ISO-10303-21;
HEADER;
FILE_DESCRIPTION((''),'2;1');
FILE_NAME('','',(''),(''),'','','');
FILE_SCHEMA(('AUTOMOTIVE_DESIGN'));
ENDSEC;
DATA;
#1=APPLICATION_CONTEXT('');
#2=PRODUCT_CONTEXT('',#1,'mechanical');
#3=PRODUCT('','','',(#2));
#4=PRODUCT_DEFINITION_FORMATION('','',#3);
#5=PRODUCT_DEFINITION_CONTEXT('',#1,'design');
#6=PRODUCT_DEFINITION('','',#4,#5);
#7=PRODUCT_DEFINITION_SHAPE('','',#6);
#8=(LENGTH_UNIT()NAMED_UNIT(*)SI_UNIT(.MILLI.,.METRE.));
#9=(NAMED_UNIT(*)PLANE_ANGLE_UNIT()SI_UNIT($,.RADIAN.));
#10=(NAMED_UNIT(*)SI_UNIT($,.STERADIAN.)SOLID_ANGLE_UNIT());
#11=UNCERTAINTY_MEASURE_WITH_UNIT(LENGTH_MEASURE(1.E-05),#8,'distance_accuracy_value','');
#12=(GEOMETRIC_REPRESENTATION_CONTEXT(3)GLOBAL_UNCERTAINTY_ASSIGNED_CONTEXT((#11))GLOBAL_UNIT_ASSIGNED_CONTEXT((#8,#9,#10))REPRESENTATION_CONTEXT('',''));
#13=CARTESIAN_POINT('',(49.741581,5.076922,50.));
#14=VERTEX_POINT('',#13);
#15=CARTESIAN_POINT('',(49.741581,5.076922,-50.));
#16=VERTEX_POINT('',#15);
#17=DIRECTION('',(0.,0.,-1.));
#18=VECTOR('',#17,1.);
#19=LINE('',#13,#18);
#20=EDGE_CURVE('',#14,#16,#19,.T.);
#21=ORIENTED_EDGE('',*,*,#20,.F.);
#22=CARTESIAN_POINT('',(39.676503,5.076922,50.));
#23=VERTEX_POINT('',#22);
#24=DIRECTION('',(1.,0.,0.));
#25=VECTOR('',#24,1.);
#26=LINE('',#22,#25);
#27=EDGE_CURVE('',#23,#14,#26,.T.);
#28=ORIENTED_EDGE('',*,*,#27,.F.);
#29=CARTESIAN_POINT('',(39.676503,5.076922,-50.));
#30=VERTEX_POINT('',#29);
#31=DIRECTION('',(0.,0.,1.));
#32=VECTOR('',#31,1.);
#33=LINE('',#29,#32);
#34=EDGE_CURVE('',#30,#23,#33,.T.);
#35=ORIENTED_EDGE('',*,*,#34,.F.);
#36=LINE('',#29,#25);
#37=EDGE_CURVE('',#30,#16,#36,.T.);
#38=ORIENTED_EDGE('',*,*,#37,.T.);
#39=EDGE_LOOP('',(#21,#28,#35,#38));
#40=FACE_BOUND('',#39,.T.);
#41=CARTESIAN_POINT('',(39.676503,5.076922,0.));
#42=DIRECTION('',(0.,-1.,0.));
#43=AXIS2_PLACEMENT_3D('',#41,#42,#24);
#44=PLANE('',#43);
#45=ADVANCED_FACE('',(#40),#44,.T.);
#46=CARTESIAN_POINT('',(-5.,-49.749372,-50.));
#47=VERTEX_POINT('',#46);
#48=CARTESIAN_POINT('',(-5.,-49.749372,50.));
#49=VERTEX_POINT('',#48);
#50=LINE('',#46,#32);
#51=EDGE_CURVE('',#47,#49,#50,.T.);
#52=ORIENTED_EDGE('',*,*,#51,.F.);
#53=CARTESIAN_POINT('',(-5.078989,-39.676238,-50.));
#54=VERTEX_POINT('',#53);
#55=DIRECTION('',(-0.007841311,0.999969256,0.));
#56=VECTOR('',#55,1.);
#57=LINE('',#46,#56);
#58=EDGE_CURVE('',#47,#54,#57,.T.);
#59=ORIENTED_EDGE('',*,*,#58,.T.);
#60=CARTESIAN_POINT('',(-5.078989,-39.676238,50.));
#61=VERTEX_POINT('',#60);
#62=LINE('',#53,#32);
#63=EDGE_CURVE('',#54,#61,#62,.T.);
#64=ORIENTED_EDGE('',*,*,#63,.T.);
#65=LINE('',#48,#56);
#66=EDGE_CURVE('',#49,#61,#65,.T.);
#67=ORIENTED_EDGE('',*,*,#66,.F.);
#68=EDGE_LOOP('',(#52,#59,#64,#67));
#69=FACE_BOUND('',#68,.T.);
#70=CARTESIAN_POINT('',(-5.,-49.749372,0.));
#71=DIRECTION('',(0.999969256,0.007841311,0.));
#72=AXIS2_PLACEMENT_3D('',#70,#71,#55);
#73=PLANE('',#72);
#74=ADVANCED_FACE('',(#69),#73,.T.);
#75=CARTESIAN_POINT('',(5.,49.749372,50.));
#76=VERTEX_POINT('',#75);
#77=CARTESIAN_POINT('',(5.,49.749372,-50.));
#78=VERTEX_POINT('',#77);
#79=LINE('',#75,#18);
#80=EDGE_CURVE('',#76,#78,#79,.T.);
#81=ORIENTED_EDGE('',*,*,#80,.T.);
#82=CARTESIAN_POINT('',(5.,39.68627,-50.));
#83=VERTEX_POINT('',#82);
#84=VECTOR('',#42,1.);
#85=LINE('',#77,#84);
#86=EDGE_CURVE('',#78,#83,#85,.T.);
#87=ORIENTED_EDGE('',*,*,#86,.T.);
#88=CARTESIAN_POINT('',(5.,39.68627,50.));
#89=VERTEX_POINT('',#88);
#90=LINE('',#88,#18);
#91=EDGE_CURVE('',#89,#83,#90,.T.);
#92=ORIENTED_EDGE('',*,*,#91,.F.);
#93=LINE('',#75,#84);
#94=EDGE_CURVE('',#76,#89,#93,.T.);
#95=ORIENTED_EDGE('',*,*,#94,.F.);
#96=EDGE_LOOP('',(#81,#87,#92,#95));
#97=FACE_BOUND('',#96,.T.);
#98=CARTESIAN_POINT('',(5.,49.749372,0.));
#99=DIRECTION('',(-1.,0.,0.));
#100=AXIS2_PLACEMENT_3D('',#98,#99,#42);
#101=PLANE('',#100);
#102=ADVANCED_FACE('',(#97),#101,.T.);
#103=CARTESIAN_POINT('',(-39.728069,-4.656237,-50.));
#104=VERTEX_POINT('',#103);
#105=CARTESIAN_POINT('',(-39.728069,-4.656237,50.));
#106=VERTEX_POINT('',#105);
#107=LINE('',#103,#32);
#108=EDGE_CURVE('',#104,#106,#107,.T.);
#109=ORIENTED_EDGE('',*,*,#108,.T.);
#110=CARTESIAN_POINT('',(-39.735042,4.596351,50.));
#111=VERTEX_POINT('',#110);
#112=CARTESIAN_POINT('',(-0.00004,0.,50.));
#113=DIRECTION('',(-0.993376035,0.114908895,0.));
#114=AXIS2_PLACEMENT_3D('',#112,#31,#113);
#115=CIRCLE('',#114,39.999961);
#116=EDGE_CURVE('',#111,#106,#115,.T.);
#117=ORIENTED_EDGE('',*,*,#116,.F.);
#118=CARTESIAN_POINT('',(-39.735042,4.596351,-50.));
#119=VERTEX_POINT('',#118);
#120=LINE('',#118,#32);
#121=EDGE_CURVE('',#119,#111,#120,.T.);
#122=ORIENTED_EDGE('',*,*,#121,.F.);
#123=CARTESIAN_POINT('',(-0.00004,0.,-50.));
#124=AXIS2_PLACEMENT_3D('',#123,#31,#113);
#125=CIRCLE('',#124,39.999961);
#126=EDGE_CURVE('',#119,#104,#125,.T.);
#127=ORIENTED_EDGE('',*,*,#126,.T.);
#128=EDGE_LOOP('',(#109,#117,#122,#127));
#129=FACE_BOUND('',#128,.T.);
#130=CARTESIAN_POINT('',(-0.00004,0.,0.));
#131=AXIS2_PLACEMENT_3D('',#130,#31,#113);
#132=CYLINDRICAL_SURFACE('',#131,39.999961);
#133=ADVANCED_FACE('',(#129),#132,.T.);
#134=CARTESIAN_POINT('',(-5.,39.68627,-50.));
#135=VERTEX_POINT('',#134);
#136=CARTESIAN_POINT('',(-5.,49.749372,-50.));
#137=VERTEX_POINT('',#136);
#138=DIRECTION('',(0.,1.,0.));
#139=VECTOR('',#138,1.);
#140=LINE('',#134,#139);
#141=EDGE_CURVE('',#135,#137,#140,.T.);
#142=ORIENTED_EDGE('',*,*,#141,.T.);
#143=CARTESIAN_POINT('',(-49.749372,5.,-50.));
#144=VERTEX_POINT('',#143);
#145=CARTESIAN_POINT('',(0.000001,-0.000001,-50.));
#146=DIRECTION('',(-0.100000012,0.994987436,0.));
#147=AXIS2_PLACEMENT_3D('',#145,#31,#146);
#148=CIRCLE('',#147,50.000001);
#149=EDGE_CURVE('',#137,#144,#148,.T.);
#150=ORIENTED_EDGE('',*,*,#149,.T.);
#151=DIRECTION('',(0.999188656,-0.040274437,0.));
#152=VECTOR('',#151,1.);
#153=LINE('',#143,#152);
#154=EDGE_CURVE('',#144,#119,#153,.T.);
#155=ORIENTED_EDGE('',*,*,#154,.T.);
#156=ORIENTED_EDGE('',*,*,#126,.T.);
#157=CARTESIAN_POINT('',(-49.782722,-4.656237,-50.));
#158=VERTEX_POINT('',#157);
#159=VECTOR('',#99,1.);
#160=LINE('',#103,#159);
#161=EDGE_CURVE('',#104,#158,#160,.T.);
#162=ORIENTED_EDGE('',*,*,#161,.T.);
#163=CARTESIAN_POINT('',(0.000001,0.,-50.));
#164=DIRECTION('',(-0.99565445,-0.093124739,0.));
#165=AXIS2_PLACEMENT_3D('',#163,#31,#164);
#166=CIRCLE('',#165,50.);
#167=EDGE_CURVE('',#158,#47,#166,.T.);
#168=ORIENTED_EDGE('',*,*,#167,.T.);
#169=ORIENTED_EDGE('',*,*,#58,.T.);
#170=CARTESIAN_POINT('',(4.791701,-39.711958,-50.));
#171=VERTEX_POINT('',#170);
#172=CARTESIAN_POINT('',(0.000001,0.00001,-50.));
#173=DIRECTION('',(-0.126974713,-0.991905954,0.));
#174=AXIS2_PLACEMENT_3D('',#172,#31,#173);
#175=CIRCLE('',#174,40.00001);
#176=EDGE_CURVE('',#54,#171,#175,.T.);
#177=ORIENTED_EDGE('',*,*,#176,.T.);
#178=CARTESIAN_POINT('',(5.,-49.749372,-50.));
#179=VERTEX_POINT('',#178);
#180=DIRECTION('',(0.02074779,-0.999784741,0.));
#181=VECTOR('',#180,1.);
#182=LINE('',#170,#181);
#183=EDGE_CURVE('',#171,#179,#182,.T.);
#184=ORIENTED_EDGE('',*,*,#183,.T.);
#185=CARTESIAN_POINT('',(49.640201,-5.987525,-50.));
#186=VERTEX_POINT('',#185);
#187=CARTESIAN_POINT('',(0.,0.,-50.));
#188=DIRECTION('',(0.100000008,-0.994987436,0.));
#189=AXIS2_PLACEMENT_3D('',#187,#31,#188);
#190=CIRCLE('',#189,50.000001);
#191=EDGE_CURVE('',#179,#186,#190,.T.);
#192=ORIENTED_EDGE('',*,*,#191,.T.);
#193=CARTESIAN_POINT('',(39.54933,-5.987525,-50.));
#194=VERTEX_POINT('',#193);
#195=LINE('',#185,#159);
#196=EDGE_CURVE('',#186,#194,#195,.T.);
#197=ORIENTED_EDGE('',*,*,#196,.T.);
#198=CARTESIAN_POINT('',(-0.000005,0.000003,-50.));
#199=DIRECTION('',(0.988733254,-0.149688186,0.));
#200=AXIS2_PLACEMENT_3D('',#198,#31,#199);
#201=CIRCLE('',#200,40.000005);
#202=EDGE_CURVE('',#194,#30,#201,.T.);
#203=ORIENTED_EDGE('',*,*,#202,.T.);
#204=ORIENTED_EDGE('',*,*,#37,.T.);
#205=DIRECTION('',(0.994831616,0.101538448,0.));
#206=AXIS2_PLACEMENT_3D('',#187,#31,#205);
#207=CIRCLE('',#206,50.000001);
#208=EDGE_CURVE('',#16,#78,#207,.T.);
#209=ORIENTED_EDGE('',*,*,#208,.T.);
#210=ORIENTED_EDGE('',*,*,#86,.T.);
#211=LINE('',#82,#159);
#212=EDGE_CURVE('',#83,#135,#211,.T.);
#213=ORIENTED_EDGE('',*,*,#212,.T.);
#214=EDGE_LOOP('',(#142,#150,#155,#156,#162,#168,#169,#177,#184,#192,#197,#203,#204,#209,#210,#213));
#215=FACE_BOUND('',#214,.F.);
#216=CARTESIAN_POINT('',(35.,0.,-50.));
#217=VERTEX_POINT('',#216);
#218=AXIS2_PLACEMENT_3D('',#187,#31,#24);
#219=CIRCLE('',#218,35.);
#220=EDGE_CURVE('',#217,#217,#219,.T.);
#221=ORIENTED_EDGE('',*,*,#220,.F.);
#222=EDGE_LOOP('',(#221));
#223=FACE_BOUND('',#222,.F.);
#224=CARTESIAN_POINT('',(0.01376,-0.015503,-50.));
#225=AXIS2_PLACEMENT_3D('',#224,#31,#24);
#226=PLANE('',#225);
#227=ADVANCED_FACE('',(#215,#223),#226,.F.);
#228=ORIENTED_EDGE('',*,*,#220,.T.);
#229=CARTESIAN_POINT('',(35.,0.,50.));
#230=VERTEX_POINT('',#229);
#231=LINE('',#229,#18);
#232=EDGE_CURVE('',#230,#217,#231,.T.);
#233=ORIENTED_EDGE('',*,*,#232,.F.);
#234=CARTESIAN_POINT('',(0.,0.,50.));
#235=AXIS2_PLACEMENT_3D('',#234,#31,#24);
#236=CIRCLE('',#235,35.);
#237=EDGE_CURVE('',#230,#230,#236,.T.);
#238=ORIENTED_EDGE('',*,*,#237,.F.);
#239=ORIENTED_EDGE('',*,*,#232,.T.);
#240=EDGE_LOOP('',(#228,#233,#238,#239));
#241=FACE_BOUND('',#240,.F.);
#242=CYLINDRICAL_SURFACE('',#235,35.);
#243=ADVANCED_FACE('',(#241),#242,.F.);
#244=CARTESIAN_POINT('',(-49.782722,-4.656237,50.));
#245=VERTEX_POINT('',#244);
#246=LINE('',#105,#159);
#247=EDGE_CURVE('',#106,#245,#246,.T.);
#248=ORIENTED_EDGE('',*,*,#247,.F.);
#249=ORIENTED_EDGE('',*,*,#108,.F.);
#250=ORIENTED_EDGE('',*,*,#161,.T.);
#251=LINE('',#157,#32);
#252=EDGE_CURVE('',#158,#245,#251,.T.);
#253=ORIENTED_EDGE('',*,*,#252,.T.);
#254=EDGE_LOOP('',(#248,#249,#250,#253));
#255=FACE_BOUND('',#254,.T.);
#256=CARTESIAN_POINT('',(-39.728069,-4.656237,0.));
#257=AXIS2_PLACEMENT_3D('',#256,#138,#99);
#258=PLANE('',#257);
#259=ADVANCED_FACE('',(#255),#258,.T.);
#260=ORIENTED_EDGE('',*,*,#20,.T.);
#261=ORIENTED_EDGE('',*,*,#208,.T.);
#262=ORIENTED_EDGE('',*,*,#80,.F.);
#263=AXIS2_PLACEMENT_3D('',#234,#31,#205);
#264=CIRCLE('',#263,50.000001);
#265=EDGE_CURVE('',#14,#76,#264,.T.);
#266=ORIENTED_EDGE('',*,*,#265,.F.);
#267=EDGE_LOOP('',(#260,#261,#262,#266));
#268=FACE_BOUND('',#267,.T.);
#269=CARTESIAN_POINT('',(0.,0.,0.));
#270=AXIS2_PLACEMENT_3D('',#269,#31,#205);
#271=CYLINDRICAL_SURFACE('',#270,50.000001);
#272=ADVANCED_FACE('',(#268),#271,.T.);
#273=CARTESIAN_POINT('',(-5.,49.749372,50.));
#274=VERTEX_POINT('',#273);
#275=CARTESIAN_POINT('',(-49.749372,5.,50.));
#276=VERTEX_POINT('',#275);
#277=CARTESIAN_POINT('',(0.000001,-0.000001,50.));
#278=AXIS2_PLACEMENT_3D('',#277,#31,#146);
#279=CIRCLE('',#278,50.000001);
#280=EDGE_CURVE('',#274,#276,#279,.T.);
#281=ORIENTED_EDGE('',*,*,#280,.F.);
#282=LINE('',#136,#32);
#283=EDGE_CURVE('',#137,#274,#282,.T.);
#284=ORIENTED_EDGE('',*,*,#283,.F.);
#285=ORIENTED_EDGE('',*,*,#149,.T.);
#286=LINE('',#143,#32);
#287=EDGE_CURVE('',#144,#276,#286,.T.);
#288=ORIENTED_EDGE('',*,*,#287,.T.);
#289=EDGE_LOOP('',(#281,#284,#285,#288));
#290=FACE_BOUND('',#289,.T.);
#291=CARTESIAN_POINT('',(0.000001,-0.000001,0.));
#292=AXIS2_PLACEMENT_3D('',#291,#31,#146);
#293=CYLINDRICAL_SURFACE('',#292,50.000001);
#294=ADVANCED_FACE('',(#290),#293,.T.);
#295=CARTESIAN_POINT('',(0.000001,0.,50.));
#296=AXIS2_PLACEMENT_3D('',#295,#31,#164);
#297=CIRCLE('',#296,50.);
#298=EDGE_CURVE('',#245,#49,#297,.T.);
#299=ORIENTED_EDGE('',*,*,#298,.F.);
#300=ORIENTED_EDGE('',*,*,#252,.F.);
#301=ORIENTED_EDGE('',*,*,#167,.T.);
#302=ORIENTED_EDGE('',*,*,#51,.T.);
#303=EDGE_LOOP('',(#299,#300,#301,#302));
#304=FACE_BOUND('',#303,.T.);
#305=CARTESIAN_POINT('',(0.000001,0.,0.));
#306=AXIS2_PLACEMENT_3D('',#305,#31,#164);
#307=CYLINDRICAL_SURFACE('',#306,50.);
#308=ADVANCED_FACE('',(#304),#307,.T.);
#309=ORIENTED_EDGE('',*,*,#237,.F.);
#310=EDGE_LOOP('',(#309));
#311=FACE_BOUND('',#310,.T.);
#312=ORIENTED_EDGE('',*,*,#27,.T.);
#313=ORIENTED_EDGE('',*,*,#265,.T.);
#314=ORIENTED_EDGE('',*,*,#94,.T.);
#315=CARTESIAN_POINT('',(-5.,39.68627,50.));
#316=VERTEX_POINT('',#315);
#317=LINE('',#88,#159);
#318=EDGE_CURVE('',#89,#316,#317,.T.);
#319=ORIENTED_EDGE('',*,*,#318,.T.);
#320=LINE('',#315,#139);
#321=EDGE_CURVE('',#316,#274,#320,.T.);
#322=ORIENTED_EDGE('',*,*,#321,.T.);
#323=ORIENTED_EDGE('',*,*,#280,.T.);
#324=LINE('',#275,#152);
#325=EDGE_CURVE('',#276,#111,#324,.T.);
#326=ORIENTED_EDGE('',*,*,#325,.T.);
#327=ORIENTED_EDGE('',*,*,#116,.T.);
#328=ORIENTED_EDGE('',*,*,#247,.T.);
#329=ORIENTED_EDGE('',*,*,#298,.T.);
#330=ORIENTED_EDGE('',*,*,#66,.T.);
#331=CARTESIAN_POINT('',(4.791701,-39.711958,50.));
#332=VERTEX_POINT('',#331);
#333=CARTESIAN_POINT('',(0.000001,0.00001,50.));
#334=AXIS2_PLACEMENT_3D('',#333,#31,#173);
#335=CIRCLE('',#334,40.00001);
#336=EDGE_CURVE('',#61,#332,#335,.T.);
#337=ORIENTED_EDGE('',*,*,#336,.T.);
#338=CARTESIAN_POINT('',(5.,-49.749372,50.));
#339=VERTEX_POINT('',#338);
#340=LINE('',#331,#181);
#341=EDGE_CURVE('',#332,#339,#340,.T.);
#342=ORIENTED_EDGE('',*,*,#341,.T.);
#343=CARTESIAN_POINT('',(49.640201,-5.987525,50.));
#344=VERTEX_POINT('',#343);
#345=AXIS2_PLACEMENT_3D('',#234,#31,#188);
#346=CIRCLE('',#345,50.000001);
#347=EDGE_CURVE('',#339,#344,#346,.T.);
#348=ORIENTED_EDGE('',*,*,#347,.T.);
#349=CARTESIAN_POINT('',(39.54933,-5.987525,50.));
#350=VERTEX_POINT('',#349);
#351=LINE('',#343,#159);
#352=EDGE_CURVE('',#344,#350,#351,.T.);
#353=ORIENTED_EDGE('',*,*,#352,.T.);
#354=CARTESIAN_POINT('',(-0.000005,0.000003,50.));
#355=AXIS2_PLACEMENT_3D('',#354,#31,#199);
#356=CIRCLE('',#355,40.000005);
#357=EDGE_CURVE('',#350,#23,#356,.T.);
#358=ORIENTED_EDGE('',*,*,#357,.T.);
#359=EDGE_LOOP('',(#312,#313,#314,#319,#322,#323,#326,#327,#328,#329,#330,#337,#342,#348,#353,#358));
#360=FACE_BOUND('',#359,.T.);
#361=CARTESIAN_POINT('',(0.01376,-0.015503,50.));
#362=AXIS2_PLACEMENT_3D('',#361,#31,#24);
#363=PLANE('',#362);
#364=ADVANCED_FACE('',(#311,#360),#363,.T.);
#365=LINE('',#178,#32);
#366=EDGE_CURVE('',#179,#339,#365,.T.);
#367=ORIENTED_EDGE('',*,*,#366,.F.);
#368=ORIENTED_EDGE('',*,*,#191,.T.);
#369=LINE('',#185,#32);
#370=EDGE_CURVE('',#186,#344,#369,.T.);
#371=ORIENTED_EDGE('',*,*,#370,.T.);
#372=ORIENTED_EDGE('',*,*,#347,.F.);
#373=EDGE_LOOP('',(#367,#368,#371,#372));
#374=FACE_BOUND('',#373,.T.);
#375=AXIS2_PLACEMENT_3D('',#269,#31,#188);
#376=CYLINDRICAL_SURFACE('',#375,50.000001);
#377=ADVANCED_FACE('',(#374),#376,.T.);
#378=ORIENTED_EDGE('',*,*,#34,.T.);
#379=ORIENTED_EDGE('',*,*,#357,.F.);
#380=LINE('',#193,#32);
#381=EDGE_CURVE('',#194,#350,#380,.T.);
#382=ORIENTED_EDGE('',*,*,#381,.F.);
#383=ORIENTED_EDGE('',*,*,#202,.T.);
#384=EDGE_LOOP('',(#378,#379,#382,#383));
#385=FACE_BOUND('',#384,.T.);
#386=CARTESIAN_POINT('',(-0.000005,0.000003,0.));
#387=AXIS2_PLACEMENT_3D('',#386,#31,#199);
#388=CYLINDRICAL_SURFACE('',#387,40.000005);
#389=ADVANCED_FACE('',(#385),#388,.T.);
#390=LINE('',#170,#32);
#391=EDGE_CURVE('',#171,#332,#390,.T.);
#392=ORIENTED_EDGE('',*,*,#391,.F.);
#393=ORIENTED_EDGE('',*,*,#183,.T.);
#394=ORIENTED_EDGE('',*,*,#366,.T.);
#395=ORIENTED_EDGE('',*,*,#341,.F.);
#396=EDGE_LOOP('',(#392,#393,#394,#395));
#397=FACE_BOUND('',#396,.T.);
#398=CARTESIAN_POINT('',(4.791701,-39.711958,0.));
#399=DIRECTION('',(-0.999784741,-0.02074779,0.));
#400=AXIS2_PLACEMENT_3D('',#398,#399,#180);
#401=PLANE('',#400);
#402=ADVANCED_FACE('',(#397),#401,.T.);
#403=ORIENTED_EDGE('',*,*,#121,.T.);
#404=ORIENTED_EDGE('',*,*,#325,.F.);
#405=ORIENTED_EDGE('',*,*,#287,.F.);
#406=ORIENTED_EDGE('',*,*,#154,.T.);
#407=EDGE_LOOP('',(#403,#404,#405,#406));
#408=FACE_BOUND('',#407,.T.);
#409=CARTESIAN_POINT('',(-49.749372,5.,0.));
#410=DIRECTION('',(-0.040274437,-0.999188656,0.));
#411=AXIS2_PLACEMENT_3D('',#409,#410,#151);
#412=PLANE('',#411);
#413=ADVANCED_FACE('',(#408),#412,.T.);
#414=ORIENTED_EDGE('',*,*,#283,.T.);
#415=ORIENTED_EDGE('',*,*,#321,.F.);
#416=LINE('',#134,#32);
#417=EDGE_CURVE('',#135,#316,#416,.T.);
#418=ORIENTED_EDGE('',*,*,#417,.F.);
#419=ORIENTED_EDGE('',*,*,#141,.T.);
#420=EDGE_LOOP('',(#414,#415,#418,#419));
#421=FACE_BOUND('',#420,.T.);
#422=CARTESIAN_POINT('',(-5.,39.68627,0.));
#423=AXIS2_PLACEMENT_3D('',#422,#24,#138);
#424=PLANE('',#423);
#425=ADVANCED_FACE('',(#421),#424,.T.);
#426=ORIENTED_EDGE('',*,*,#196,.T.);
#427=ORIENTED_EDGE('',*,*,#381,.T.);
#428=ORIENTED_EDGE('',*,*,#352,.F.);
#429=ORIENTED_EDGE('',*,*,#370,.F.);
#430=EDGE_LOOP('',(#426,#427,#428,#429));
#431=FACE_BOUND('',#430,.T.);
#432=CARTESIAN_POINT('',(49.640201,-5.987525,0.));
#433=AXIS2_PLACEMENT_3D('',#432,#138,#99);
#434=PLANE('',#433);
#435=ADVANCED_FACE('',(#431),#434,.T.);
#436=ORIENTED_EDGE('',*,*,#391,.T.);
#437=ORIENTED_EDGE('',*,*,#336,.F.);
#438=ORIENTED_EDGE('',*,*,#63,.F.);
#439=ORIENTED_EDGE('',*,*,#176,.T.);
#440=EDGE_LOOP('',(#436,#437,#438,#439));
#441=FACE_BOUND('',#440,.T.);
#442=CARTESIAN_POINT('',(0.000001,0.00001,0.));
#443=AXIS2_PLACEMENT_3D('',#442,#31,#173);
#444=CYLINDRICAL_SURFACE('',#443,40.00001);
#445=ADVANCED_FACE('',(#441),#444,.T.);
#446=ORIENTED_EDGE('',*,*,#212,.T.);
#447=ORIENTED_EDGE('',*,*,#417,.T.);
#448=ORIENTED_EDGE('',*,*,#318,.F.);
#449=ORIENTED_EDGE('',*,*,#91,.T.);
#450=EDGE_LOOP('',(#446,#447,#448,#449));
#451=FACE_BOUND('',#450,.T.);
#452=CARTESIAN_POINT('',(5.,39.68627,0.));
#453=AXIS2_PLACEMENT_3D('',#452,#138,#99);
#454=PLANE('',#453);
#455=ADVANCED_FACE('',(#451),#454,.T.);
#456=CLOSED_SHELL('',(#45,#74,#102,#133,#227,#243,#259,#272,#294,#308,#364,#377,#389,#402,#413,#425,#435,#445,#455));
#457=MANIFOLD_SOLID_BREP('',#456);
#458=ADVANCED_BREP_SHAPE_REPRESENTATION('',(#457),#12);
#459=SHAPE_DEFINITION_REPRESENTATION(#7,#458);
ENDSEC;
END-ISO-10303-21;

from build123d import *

# Parameters (mm, degrees)
F1_DEPTH = 50
F2_R     = 35
F3_DEPTH = 200


with BuildPart() as f1:
    # F0 (on Top) → F1 (new body, symmetric)
    with BuildSketch(Plane.XY):
        with BuildLine():
            Line((5, 39.68627), (-5, 39.68627))
            ThreePointArc((-5, 39.68627), (-28.427655, 28.140156), (-39.735042, 4.596351))
            ThreePointArc((-39.735042, 4.596351), (-39.999989, -0.030145), (-39.728069, -4.656237))
            ThreePointArc((-39.728069, -4.656237), (-28.434455, -28.133286), (-5.078989, -39.676238))
            ThreePointArc((-5.078989, -39.676238), (-0.14475, -39.999738), (4.791701, -39.711958))
            ThreePointArc((4.791701, -39.711958), (27.854373, -28.707732), (39.54933, -5.987525))
            ThreePointArc((39.54933, -5.987525), (39.997358, -0.45972), (39.676503, 5.076922))
            ThreePointArc((39.676503, 5.076922), (28.256844, 28.311672), (5, 39.68627))
        make_face()
        with BuildLine():
            ThreePointArc((-39.735042, 4.596351), (-28.427655, 28.140156), (-5, 39.68627))
            Line((-5, 39.68627), (-5, 49.749372))
            ThreePointArc((-5, 49.749372), (-35.355339, 35.355339), (-49.749372, 5))
            Line((-49.749372, 5), (-39.735042, 4.596351))
        make_face()
        with BuildLine():
            Line((5, 49.749372), (5, 39.68627))
            ThreePointArc((5, 39.68627), (28.256844, 28.311672), (39.676503, 5.076922))
            Line((39.676503, 5.076922), (49.741581, 5.076922))
            ThreePointArc((49.741581, 5.076922), (35.327993, 35.382664), (5, 49.749372))
        make_face()
        with BuildLine():
            ThreePointArc((-5.078989, -39.676238), (-28.434455, -28.133286), (-39.728069, -4.656237))
            Line((-39.728069, -4.656237), (-49.782722, -4.656237))
            ThreePointArc((-49.782722, -4.656237), (-35.477237, -35.233019), (-5, -49.749372))
            Line((-5, -49.749372), (-5.078989, -39.676238))
        make_face()
        with BuildLine():
            Line((49.640201, -5.987525), (39.54933, -5.987525))
            ThreePointArc((39.54933, -5.987525), (27.854373, -28.707732), (4.791701, -39.711958))
            Line((4.791701, -39.711958), (5, -49.749372))
            ThreePointArc((5, -49.749372), (35.002324, -35.704864), (49.640201, -5.987525))
        make_face()
    extrude(amount=F1_DEPTH, both=True)

    # F2 (on face) → F3 (cut)
    with BuildSketch(Plane.XY.offset(50)):
        Circle(F2_R)
    extrude(amount=-F3_DEPTH, mode=Mode.SUBTRACT)


solid = f1.part
